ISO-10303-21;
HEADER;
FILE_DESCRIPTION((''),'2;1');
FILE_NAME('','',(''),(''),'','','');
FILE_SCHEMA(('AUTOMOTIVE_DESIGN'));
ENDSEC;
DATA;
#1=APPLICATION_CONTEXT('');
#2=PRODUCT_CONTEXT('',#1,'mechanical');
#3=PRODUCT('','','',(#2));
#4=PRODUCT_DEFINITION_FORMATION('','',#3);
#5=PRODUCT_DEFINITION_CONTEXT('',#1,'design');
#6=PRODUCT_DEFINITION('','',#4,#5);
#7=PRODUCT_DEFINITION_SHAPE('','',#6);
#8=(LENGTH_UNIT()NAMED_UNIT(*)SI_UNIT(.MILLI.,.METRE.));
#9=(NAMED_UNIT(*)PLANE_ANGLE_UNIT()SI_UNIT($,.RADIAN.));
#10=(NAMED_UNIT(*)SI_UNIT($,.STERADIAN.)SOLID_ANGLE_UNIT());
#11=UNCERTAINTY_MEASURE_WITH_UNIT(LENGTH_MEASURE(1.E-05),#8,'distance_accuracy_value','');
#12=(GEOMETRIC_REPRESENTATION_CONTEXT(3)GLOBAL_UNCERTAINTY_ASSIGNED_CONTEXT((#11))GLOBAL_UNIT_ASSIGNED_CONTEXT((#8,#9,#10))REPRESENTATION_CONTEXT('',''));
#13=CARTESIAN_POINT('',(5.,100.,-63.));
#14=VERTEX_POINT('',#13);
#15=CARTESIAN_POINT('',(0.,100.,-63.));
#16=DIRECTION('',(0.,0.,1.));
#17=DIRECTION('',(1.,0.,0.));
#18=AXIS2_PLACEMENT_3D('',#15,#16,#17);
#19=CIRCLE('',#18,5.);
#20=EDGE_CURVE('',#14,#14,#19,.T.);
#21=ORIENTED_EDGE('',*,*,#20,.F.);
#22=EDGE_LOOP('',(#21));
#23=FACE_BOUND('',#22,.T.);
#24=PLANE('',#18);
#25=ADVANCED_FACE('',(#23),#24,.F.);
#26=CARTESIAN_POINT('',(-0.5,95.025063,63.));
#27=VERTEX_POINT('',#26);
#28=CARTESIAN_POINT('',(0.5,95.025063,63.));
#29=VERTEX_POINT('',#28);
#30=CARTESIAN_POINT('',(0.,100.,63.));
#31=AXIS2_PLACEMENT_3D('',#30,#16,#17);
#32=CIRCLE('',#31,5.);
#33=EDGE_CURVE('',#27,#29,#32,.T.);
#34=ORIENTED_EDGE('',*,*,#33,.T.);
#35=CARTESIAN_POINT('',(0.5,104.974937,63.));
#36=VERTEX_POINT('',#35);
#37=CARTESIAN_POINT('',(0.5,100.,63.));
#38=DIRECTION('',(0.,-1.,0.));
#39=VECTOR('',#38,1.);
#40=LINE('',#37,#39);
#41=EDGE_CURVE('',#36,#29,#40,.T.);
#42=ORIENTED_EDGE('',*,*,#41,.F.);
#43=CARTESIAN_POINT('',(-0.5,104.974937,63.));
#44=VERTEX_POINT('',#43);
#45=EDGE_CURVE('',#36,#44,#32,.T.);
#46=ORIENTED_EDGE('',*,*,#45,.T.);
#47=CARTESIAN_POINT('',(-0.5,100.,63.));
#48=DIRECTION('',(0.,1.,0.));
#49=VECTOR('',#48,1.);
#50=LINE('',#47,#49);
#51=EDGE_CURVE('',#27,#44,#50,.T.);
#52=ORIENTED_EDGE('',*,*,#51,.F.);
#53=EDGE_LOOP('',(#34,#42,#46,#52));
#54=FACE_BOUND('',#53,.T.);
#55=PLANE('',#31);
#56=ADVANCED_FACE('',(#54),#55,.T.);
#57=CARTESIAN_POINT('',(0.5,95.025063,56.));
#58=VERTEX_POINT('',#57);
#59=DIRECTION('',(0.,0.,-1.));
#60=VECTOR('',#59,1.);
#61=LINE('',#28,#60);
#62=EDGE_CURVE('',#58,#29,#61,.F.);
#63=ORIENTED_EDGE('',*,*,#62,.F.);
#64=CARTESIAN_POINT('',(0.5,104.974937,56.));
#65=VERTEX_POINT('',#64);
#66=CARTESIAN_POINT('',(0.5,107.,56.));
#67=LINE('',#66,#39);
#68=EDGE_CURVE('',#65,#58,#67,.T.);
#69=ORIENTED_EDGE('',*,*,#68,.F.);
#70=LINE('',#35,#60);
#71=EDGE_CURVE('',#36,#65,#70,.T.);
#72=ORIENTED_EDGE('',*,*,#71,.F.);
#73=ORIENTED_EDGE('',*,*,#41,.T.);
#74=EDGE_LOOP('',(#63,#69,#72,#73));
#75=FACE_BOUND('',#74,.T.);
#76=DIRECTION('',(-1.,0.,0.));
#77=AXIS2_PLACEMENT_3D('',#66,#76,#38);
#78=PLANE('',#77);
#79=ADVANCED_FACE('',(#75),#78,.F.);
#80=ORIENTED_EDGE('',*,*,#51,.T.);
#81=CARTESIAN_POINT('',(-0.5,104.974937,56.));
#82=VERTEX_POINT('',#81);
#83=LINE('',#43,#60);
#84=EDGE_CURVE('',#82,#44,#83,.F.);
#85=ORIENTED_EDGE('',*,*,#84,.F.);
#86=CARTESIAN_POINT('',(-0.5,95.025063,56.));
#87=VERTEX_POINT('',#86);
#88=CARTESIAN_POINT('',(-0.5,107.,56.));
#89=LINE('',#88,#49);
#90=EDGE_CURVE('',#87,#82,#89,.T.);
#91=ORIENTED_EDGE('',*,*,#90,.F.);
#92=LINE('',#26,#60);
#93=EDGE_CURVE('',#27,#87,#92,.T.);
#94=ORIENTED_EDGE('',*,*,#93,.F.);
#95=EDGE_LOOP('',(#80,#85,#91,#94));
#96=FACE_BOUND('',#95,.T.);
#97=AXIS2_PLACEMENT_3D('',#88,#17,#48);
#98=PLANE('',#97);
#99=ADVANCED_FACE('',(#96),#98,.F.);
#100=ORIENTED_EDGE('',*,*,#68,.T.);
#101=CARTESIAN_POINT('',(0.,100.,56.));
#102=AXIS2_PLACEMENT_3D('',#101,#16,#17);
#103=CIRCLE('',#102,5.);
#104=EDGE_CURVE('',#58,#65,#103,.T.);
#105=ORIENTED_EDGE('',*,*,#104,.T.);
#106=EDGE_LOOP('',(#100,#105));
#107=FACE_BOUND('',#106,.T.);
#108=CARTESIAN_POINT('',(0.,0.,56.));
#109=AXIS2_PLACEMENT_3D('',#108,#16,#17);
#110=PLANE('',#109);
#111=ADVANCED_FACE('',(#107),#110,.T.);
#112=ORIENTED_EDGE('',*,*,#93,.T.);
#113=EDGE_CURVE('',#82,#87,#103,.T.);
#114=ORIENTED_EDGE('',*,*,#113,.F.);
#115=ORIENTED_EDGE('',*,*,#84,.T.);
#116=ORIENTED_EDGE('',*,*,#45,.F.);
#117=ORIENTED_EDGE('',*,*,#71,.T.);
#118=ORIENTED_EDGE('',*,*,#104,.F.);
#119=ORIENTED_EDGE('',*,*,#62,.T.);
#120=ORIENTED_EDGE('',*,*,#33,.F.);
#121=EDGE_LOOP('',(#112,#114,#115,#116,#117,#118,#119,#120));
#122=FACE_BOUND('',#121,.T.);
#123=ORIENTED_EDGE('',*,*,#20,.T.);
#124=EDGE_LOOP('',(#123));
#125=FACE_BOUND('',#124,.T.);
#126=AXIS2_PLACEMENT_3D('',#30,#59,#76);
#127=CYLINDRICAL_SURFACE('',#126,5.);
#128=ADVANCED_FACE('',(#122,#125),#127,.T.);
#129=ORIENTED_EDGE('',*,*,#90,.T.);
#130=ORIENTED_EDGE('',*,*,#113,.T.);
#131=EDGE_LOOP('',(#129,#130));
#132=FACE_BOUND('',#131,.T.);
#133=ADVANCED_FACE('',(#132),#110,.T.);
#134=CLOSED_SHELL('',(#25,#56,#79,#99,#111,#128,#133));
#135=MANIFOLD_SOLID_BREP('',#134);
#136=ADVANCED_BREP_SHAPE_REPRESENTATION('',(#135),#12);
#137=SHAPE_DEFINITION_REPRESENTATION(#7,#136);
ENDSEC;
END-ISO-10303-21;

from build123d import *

# Parameters (mm, degrees)
ESBO_O1_R                = 5
RESSALTO_EXTRUS_O1_DEPTH = 63
SKETCH1_W                = 5
SKETCH1_H                = 14
CUT_EXTRUDE1_DEPTH       = 7


with BuildPart() as part:
    # Esboço1 → Ressalto-extrusão1 (new, symmetric)
    with BuildSketch(Plane.XY):
        with Locations((0, 100)):
            Circle(ESBO_O1_R)
    extrude(amount=RESSALTO_EXTRUS_O1_DEPTH, both=True)

    # Sketch1 → Cut-Extrude1 (cut)
    with BuildSketch(Plane.XY.offset(63)):
        with Locations((3, 100)):
            Rectangle(SKETCH1_W, SKETCH1_H)
        with Locations((-3, 100)):
            Rectangle(SKETCH1_W, SKETCH1_H)
    extrude(amount=-CUT_EXTRUDE1_DEPTH, mode=Mode.SUBTRACT)


solid = part.part
